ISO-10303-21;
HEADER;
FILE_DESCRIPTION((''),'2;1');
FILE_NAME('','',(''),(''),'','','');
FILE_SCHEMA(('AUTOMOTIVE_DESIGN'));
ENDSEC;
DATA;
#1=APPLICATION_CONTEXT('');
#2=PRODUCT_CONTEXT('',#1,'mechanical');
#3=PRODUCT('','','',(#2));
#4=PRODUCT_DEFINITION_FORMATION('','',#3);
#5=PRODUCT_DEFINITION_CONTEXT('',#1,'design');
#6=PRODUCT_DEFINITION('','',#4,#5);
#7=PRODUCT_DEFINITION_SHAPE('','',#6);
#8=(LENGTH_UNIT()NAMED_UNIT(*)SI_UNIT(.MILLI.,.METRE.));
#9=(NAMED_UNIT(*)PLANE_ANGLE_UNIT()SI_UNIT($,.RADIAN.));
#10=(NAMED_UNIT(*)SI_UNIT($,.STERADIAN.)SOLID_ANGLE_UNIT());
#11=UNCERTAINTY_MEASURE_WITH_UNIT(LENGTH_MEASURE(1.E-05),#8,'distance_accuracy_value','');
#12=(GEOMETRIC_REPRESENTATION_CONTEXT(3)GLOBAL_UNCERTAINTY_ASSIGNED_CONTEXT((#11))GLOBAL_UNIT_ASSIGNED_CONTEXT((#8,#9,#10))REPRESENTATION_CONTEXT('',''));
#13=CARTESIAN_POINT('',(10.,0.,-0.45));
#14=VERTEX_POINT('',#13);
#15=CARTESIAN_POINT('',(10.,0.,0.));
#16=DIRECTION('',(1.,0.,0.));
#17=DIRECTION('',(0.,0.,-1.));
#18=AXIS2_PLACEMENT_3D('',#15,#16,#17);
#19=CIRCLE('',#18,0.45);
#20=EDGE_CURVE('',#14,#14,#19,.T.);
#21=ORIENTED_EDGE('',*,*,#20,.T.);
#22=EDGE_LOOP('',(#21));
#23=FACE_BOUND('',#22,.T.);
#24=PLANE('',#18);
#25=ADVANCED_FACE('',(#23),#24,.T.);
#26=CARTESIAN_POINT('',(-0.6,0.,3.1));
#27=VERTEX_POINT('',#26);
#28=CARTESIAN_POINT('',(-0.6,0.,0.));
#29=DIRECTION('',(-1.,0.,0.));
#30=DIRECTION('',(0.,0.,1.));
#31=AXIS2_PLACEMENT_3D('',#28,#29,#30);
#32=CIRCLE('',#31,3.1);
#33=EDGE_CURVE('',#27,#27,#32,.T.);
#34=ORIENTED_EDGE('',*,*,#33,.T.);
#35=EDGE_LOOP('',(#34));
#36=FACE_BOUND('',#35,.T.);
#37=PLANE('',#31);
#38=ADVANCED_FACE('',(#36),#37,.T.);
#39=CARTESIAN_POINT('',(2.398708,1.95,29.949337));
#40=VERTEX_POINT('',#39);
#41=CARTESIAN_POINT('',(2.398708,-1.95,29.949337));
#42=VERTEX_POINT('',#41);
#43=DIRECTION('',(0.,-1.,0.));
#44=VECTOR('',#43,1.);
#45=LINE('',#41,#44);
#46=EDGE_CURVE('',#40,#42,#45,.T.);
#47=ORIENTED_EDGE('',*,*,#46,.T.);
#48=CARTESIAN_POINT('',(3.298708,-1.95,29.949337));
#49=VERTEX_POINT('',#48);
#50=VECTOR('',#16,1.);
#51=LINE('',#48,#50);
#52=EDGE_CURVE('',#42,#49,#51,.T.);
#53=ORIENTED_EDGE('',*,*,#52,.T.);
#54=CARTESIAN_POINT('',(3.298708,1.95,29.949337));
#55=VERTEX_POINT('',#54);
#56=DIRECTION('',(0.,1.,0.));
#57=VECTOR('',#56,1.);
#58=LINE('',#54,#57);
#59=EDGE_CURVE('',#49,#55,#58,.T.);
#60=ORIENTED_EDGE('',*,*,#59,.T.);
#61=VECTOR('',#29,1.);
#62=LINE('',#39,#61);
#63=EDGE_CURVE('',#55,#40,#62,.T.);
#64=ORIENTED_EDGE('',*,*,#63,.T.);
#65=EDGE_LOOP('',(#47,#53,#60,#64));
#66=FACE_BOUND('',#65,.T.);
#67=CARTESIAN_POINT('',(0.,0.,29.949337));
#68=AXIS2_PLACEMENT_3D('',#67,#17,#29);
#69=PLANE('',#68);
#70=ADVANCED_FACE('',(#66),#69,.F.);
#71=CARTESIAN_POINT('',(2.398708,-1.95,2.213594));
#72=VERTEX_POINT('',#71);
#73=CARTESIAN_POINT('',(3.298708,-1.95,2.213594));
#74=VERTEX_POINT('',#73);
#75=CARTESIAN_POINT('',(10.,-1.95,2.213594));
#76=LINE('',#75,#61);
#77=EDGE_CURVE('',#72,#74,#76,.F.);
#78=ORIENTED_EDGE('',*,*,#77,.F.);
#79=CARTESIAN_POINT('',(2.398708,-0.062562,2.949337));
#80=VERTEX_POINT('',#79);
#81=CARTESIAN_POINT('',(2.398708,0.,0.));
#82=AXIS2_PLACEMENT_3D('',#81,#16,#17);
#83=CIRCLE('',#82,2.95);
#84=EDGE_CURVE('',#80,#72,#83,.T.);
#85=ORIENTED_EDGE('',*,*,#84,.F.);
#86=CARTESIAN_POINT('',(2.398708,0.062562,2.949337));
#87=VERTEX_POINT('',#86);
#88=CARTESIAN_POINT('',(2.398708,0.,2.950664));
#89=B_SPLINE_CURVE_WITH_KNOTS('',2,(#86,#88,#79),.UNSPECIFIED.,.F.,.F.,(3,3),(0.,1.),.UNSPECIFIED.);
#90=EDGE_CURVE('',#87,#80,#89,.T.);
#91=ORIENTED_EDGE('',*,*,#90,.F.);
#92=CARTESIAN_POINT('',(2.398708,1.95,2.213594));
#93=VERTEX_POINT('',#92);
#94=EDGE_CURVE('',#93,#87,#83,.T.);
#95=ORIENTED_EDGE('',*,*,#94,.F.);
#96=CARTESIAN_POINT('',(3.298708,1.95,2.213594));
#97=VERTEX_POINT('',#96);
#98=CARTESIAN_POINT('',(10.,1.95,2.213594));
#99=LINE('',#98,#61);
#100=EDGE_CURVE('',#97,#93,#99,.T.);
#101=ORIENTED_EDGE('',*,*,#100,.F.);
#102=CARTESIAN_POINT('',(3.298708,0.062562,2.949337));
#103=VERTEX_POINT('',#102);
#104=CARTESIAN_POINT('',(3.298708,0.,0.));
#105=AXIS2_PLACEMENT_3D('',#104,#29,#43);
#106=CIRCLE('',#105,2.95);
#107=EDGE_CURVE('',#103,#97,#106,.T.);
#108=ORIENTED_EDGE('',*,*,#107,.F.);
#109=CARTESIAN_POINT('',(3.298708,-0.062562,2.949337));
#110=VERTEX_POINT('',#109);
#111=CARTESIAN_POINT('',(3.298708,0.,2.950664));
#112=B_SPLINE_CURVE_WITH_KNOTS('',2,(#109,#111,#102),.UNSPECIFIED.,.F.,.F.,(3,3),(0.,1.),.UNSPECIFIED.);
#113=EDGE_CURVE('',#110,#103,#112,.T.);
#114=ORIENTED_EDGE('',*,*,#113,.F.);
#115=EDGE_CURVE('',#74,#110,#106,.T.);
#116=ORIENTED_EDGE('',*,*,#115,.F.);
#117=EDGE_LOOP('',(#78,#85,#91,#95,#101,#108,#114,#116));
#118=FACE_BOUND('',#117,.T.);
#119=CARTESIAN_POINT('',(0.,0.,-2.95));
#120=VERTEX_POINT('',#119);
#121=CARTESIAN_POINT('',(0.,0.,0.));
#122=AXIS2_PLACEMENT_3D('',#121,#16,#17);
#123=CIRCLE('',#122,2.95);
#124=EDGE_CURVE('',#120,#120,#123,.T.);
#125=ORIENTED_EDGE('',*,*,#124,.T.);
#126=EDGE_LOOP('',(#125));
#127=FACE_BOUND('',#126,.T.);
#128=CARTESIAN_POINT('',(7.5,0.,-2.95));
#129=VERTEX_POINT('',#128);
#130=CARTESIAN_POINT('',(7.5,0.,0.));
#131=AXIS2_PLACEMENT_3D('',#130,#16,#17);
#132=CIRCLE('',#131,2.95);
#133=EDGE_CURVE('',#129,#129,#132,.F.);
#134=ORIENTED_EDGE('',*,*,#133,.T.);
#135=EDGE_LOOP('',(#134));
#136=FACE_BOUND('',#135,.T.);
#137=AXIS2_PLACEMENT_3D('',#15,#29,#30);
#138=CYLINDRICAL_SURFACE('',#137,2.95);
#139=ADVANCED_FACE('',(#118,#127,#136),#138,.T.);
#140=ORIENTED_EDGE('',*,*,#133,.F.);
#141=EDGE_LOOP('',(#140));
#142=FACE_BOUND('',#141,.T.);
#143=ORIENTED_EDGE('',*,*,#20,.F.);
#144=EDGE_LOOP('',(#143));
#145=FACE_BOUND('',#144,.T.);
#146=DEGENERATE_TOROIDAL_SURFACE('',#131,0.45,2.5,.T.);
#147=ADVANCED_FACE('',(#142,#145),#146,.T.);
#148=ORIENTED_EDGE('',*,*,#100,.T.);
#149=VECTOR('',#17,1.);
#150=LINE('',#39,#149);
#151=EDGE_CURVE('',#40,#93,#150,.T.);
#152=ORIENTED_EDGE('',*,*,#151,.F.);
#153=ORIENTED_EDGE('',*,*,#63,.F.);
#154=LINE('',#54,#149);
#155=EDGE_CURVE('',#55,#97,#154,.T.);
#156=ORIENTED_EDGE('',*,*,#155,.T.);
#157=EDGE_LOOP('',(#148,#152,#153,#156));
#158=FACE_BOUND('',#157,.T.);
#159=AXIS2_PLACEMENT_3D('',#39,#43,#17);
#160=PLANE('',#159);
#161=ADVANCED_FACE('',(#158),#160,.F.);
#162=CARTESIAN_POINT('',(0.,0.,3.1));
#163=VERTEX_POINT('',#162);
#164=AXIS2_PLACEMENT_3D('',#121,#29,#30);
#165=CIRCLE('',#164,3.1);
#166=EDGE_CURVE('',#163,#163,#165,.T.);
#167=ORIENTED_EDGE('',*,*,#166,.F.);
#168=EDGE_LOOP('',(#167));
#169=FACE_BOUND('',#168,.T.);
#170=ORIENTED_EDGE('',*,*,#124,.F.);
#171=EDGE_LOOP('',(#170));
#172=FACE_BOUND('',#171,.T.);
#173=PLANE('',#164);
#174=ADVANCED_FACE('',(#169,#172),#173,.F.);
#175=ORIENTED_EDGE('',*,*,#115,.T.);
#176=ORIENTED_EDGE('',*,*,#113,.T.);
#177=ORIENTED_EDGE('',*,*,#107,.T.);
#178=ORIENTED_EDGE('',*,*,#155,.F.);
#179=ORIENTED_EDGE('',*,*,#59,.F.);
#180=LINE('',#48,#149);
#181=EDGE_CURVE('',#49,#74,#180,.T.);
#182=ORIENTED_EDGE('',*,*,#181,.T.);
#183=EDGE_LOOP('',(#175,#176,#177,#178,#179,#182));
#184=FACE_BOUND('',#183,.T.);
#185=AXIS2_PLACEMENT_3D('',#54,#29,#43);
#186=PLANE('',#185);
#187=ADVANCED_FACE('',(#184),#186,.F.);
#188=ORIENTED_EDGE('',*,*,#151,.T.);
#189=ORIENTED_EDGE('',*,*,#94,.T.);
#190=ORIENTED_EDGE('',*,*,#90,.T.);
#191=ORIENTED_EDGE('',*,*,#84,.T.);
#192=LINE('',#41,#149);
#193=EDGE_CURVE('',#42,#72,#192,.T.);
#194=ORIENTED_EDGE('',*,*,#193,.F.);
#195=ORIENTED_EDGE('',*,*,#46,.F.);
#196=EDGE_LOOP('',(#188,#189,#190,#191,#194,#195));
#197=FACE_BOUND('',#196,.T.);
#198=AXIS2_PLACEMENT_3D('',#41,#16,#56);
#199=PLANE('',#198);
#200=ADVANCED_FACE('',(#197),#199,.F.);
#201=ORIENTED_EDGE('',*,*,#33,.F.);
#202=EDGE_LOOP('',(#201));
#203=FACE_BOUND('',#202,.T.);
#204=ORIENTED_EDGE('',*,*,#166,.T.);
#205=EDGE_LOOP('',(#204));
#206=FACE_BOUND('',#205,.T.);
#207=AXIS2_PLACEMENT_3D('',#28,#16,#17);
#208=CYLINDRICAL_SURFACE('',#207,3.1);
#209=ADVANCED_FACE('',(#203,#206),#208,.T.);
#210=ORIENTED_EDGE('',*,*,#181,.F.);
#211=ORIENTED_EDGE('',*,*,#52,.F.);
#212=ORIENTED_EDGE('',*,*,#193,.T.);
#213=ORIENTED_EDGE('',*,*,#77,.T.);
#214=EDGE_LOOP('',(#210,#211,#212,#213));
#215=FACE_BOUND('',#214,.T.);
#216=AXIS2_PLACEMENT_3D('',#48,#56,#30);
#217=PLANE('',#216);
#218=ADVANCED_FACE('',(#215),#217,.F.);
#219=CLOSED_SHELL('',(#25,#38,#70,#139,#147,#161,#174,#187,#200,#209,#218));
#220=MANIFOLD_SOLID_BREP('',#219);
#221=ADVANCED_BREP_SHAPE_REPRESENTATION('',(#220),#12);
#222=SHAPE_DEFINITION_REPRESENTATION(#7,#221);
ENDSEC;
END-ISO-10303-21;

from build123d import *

# Parameters (mm, degrees)
CROQUIS1_R              = 2.95
SALIENTE_EXTRUIR1_DEPTH = 10
REDONDEO1_R             = 2.5
CROQUIS2_R              = 3.1
SALIENTE_EXTRUIR2_DEPTH = 0.6
CROQUIS5_W              = 0.9
CROQUIS5_H              = 3.9
SALIENTE_EXTRUIR4_DEPTH = 27
CROQUIS8_W              = 0.9
CROQUIS8_H              = 3.9
SALIENTE_EXTRUIR5_DEPTH = 2


with BuildPart() as part:
    # Croquis1 → Saliente-Extruir1 (new body)
    with BuildSketch(Plane(origin=(0, 0, 0), x_dir=(0, 0, -1), z_dir=(1, 0, 0))):
        Circle(CROQUIS1_R)
    extrude(amount=SALIENTE_EXTRUIR1_DEPTH)

    # Redondeo1
    redondeo1_edges = [part.edges().sort_by_distance(p)[0] for p in [
        (10, 0, 2.95),
    ]]
    fillet(redondeo1_edges, radius=REDONDEO1_R)

    # Croquis2 → Saliente-Extruir2 (add)
    with BuildSketch(Plane.ZY):
        Circle(CROQUIS2_R)
    extrude(amount=SALIENTE_EXTRUIR2_DEPTH)

    # Croquis5 → Saliente-Extruir4 (add)
    with BuildSketch(Plane.XY.offset(2.949336532)):
        with Locations((2.848707903, 0)):
            Rectangle(CROQUIS5_W, CROQUIS5_H)
    extrude(amount=SALIENTE_EXTRUIR4_DEPTH)

    # Croquis8 → Saliente-Extruir5 (add)
    with BuildSketch(Plane(origin=(0, 0, 2.949336532), x_dir=(-1, 0, 0), z_dir=(0, 0, -1))):
        with Locations((-2.848707903, 0)):
            Rectangle(CROQUIS8_W, CROQUIS8_H)
    extrude(amount=SALIENTE_EXTRUIR5_DEPTH)


solid = part.part
